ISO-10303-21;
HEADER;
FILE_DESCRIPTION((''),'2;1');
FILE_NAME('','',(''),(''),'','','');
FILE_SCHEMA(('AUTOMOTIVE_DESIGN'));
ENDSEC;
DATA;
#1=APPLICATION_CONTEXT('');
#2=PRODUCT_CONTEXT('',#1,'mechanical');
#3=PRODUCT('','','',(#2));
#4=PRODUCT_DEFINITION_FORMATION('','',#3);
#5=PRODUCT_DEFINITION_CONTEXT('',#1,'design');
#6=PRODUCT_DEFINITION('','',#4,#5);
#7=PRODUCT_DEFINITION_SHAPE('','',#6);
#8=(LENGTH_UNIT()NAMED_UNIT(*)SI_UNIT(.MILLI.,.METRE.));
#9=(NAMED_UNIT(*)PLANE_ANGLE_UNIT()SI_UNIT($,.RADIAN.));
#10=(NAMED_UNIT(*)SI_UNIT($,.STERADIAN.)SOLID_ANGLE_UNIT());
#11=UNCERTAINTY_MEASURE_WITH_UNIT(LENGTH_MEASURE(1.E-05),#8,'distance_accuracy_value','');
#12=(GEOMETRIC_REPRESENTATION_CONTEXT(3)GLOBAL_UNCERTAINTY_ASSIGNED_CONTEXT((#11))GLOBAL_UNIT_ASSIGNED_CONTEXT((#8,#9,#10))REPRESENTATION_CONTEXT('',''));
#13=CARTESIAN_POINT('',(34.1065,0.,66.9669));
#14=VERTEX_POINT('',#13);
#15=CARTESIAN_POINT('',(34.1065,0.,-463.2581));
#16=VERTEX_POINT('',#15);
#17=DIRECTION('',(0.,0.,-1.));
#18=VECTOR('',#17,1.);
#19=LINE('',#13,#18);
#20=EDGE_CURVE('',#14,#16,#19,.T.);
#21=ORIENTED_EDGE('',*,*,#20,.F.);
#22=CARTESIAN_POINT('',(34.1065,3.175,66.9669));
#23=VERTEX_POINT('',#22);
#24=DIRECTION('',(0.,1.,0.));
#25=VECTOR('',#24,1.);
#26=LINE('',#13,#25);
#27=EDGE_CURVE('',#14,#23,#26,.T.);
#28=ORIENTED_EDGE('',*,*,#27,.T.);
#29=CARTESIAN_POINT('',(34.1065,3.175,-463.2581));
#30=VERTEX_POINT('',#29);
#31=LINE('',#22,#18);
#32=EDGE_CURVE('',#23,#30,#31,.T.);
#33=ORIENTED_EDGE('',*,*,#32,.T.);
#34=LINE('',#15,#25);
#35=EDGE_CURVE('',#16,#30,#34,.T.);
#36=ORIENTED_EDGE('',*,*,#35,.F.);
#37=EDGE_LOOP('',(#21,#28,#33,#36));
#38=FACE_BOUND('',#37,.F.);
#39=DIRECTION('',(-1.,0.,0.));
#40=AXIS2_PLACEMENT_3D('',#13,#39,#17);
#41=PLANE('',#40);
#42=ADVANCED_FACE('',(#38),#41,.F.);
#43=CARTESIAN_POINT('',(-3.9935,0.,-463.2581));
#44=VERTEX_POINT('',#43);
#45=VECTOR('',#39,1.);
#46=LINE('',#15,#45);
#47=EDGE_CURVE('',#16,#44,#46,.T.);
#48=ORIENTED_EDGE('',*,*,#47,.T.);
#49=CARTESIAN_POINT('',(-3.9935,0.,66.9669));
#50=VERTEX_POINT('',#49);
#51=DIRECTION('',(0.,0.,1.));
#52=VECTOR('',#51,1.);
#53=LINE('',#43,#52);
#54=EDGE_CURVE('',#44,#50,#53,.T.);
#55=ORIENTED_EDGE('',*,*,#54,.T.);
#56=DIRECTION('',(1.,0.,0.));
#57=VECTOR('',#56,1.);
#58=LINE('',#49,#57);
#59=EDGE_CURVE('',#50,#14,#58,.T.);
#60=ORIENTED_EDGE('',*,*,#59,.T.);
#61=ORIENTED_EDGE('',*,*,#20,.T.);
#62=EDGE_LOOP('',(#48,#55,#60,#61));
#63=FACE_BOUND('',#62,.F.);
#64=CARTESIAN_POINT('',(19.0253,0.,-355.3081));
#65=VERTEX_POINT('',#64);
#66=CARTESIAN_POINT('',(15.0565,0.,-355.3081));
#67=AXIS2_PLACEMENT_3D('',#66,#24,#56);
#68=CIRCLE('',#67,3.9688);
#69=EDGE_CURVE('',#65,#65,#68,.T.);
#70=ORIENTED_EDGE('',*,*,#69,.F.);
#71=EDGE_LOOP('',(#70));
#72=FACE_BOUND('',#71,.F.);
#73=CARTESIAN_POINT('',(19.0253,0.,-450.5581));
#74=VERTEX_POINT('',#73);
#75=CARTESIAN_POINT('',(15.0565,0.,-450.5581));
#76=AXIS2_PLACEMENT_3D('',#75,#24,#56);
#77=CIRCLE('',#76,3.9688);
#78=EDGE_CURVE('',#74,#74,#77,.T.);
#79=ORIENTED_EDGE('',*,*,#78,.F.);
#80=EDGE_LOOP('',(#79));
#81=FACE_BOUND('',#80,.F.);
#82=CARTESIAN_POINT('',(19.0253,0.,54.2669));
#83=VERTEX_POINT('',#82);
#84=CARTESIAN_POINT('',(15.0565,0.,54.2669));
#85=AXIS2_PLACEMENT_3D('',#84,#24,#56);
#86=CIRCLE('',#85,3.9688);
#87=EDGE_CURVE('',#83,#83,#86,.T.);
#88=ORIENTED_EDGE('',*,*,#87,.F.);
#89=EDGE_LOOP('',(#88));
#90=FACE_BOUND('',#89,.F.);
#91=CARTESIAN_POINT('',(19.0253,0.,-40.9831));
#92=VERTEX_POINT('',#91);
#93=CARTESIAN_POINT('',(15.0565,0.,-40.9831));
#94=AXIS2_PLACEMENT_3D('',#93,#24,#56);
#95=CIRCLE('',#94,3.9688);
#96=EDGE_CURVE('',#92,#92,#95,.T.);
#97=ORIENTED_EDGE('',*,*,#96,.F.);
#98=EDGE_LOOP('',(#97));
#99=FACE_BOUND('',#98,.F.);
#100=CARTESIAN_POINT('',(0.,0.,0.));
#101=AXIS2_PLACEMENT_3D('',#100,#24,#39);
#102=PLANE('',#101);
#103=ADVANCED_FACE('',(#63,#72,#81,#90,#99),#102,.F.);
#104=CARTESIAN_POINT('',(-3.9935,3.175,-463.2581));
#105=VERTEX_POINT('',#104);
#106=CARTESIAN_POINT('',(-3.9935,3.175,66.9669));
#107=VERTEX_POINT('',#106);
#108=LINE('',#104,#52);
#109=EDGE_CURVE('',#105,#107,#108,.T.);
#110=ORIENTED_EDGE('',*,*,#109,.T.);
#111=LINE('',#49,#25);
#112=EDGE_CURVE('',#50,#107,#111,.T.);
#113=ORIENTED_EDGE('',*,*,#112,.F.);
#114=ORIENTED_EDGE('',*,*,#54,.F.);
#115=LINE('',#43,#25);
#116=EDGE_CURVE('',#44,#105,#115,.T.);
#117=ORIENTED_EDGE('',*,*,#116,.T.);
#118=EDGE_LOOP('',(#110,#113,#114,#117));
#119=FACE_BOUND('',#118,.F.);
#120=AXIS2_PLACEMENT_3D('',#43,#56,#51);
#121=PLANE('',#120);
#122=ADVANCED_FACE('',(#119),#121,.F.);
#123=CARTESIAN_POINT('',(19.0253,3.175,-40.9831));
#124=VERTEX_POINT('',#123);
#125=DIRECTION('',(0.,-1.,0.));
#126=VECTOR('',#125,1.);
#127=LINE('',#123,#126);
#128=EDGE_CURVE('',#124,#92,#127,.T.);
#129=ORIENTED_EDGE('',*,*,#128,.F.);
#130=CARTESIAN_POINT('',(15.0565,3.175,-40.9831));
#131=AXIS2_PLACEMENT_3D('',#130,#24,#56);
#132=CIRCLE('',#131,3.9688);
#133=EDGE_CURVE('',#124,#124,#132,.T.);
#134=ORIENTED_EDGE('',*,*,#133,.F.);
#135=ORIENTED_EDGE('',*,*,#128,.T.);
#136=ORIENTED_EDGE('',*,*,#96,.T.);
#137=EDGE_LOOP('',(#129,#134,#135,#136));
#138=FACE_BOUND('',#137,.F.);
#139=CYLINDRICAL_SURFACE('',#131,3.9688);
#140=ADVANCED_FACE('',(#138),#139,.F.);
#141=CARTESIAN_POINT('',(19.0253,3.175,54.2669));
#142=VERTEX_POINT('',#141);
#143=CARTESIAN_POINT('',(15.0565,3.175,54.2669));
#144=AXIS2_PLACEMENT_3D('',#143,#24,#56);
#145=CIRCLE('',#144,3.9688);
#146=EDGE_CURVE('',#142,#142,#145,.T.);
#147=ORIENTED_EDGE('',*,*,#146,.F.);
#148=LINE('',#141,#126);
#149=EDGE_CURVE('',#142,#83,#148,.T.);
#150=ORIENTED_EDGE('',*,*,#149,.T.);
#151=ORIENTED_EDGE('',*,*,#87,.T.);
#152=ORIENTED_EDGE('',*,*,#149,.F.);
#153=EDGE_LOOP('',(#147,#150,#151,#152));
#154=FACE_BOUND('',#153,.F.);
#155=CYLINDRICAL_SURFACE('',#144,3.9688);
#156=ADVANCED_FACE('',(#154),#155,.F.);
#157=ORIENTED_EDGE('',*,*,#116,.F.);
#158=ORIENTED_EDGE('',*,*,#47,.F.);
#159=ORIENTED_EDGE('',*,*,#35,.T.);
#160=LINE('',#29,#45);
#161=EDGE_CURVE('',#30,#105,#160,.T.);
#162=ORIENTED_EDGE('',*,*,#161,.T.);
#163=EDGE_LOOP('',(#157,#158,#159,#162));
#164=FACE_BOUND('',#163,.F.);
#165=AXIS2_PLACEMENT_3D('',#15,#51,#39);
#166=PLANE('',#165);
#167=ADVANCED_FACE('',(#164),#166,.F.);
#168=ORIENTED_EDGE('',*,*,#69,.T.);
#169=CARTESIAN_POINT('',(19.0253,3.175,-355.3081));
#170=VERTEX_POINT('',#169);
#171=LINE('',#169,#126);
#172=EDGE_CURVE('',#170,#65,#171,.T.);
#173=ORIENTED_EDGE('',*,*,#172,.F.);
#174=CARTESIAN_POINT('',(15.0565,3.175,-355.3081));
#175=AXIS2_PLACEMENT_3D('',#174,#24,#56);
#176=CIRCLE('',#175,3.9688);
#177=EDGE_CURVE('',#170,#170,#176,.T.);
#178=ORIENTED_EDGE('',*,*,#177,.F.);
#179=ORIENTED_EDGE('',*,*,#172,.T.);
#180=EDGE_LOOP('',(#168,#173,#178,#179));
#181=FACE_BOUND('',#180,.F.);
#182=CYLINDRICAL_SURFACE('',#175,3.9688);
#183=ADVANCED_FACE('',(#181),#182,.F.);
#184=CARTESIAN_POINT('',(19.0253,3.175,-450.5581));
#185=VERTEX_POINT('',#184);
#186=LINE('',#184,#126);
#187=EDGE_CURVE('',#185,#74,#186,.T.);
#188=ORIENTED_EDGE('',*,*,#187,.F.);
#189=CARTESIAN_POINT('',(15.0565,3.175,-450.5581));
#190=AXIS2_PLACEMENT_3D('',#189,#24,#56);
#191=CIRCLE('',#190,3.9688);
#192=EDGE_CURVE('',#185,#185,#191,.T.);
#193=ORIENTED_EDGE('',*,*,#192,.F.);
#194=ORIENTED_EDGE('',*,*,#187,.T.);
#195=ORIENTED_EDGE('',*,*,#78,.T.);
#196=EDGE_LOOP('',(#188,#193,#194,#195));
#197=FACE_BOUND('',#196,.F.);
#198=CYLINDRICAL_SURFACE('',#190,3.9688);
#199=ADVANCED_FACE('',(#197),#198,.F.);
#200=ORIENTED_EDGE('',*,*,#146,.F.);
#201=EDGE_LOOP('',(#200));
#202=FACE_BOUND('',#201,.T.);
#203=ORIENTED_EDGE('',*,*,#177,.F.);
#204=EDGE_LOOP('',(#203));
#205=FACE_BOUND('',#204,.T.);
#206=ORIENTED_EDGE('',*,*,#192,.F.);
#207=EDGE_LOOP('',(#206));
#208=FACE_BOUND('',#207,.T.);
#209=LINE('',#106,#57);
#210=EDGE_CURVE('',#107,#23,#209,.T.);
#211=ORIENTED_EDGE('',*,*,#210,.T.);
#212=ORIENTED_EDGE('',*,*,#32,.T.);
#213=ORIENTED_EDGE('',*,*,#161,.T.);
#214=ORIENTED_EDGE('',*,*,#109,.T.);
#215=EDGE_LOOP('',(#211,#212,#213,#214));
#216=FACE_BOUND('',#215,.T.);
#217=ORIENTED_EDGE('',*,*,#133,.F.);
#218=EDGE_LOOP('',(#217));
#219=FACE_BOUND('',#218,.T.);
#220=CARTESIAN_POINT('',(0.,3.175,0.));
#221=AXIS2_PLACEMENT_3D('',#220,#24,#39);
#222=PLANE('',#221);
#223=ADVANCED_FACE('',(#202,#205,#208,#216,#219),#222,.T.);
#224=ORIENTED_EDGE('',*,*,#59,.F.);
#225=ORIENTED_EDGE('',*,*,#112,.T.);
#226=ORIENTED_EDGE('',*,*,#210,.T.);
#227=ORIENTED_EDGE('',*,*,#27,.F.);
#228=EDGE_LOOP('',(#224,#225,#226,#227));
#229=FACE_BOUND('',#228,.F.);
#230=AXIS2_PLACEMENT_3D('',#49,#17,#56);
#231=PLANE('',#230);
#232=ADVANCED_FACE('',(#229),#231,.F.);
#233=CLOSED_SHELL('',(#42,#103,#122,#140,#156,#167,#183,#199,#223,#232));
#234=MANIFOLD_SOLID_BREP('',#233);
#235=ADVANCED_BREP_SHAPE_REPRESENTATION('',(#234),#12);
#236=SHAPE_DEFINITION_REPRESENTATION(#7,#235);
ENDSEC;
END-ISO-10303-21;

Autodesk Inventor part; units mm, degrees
ref_plane "YZ Plane" through (0, 0, 0) normal (1, 0, 0) x (0, 1, 0)
ref_plane "XZ Plane" through (0, 0, 0) normal (0, 1, 0) x (-1, 0, 0)
ref_plane "XY Plane" through (0, 0, 0) normal (0, 0, 1) x (1, 0, 0)
sketch "Sketch1" plane through (0, 0, 0) normal (0, 1, 0) x (-1, 0, 0)
  line L0 (3.9935, 66.9669) -> (-34.1065, 66.9669)
  line L1 (-34.1065, 66.9669) -> (-34.1065, -463.2581)
  line L2 (-34.1065, -463.2581) -> (3.9935, -463.2581)
  line L3 (3.9935, -463.2581) -> (3.9935, 66.9669)
  point P0 (0, 0)
  dimension "d0" = 38.1
  dimension "d1" = 530.225
extrude "Extrusion1" add sketch "Sketch1" along normal blind 3.175
sketch "Sketch2" plane through (0, 3.175, 0) normal (0, 1, 0) x (1, 0, 0)
  line L0 (-3.9935, -66.9669) -> (34.1065, -66.9669) projected
  circle A0 centre (15.0565, -54.2669) radius 3.9688
  line L1 (34.1065, 463.2581) -> (-3.9935, 463.2581) projected
  circle A1 centre (15.0565, 450.5581) radius 3.9688
  line L2 (34.1065, -66.9669) -> (34.1065, 463.2581) projected
  line L3 (34.1065, 198.1456) -> (-3.9935, 198.1456)
  circle A2 centre (15.0565, 355.3081) radius 3.9688
  circle A3 centre (15.0565, 40.9831) radius 3.9688
  point P0 (0, 0)
  dimension "d5" = 7.9375
  dimension "d7" = 7.9375
  dimension "d10" = 7.9375
  dimension "d11" = 7.9375
extrude "Extrusion2" cut sketch "Sketch2" against normal blind 25.4
properties part number "Seat tabs"
